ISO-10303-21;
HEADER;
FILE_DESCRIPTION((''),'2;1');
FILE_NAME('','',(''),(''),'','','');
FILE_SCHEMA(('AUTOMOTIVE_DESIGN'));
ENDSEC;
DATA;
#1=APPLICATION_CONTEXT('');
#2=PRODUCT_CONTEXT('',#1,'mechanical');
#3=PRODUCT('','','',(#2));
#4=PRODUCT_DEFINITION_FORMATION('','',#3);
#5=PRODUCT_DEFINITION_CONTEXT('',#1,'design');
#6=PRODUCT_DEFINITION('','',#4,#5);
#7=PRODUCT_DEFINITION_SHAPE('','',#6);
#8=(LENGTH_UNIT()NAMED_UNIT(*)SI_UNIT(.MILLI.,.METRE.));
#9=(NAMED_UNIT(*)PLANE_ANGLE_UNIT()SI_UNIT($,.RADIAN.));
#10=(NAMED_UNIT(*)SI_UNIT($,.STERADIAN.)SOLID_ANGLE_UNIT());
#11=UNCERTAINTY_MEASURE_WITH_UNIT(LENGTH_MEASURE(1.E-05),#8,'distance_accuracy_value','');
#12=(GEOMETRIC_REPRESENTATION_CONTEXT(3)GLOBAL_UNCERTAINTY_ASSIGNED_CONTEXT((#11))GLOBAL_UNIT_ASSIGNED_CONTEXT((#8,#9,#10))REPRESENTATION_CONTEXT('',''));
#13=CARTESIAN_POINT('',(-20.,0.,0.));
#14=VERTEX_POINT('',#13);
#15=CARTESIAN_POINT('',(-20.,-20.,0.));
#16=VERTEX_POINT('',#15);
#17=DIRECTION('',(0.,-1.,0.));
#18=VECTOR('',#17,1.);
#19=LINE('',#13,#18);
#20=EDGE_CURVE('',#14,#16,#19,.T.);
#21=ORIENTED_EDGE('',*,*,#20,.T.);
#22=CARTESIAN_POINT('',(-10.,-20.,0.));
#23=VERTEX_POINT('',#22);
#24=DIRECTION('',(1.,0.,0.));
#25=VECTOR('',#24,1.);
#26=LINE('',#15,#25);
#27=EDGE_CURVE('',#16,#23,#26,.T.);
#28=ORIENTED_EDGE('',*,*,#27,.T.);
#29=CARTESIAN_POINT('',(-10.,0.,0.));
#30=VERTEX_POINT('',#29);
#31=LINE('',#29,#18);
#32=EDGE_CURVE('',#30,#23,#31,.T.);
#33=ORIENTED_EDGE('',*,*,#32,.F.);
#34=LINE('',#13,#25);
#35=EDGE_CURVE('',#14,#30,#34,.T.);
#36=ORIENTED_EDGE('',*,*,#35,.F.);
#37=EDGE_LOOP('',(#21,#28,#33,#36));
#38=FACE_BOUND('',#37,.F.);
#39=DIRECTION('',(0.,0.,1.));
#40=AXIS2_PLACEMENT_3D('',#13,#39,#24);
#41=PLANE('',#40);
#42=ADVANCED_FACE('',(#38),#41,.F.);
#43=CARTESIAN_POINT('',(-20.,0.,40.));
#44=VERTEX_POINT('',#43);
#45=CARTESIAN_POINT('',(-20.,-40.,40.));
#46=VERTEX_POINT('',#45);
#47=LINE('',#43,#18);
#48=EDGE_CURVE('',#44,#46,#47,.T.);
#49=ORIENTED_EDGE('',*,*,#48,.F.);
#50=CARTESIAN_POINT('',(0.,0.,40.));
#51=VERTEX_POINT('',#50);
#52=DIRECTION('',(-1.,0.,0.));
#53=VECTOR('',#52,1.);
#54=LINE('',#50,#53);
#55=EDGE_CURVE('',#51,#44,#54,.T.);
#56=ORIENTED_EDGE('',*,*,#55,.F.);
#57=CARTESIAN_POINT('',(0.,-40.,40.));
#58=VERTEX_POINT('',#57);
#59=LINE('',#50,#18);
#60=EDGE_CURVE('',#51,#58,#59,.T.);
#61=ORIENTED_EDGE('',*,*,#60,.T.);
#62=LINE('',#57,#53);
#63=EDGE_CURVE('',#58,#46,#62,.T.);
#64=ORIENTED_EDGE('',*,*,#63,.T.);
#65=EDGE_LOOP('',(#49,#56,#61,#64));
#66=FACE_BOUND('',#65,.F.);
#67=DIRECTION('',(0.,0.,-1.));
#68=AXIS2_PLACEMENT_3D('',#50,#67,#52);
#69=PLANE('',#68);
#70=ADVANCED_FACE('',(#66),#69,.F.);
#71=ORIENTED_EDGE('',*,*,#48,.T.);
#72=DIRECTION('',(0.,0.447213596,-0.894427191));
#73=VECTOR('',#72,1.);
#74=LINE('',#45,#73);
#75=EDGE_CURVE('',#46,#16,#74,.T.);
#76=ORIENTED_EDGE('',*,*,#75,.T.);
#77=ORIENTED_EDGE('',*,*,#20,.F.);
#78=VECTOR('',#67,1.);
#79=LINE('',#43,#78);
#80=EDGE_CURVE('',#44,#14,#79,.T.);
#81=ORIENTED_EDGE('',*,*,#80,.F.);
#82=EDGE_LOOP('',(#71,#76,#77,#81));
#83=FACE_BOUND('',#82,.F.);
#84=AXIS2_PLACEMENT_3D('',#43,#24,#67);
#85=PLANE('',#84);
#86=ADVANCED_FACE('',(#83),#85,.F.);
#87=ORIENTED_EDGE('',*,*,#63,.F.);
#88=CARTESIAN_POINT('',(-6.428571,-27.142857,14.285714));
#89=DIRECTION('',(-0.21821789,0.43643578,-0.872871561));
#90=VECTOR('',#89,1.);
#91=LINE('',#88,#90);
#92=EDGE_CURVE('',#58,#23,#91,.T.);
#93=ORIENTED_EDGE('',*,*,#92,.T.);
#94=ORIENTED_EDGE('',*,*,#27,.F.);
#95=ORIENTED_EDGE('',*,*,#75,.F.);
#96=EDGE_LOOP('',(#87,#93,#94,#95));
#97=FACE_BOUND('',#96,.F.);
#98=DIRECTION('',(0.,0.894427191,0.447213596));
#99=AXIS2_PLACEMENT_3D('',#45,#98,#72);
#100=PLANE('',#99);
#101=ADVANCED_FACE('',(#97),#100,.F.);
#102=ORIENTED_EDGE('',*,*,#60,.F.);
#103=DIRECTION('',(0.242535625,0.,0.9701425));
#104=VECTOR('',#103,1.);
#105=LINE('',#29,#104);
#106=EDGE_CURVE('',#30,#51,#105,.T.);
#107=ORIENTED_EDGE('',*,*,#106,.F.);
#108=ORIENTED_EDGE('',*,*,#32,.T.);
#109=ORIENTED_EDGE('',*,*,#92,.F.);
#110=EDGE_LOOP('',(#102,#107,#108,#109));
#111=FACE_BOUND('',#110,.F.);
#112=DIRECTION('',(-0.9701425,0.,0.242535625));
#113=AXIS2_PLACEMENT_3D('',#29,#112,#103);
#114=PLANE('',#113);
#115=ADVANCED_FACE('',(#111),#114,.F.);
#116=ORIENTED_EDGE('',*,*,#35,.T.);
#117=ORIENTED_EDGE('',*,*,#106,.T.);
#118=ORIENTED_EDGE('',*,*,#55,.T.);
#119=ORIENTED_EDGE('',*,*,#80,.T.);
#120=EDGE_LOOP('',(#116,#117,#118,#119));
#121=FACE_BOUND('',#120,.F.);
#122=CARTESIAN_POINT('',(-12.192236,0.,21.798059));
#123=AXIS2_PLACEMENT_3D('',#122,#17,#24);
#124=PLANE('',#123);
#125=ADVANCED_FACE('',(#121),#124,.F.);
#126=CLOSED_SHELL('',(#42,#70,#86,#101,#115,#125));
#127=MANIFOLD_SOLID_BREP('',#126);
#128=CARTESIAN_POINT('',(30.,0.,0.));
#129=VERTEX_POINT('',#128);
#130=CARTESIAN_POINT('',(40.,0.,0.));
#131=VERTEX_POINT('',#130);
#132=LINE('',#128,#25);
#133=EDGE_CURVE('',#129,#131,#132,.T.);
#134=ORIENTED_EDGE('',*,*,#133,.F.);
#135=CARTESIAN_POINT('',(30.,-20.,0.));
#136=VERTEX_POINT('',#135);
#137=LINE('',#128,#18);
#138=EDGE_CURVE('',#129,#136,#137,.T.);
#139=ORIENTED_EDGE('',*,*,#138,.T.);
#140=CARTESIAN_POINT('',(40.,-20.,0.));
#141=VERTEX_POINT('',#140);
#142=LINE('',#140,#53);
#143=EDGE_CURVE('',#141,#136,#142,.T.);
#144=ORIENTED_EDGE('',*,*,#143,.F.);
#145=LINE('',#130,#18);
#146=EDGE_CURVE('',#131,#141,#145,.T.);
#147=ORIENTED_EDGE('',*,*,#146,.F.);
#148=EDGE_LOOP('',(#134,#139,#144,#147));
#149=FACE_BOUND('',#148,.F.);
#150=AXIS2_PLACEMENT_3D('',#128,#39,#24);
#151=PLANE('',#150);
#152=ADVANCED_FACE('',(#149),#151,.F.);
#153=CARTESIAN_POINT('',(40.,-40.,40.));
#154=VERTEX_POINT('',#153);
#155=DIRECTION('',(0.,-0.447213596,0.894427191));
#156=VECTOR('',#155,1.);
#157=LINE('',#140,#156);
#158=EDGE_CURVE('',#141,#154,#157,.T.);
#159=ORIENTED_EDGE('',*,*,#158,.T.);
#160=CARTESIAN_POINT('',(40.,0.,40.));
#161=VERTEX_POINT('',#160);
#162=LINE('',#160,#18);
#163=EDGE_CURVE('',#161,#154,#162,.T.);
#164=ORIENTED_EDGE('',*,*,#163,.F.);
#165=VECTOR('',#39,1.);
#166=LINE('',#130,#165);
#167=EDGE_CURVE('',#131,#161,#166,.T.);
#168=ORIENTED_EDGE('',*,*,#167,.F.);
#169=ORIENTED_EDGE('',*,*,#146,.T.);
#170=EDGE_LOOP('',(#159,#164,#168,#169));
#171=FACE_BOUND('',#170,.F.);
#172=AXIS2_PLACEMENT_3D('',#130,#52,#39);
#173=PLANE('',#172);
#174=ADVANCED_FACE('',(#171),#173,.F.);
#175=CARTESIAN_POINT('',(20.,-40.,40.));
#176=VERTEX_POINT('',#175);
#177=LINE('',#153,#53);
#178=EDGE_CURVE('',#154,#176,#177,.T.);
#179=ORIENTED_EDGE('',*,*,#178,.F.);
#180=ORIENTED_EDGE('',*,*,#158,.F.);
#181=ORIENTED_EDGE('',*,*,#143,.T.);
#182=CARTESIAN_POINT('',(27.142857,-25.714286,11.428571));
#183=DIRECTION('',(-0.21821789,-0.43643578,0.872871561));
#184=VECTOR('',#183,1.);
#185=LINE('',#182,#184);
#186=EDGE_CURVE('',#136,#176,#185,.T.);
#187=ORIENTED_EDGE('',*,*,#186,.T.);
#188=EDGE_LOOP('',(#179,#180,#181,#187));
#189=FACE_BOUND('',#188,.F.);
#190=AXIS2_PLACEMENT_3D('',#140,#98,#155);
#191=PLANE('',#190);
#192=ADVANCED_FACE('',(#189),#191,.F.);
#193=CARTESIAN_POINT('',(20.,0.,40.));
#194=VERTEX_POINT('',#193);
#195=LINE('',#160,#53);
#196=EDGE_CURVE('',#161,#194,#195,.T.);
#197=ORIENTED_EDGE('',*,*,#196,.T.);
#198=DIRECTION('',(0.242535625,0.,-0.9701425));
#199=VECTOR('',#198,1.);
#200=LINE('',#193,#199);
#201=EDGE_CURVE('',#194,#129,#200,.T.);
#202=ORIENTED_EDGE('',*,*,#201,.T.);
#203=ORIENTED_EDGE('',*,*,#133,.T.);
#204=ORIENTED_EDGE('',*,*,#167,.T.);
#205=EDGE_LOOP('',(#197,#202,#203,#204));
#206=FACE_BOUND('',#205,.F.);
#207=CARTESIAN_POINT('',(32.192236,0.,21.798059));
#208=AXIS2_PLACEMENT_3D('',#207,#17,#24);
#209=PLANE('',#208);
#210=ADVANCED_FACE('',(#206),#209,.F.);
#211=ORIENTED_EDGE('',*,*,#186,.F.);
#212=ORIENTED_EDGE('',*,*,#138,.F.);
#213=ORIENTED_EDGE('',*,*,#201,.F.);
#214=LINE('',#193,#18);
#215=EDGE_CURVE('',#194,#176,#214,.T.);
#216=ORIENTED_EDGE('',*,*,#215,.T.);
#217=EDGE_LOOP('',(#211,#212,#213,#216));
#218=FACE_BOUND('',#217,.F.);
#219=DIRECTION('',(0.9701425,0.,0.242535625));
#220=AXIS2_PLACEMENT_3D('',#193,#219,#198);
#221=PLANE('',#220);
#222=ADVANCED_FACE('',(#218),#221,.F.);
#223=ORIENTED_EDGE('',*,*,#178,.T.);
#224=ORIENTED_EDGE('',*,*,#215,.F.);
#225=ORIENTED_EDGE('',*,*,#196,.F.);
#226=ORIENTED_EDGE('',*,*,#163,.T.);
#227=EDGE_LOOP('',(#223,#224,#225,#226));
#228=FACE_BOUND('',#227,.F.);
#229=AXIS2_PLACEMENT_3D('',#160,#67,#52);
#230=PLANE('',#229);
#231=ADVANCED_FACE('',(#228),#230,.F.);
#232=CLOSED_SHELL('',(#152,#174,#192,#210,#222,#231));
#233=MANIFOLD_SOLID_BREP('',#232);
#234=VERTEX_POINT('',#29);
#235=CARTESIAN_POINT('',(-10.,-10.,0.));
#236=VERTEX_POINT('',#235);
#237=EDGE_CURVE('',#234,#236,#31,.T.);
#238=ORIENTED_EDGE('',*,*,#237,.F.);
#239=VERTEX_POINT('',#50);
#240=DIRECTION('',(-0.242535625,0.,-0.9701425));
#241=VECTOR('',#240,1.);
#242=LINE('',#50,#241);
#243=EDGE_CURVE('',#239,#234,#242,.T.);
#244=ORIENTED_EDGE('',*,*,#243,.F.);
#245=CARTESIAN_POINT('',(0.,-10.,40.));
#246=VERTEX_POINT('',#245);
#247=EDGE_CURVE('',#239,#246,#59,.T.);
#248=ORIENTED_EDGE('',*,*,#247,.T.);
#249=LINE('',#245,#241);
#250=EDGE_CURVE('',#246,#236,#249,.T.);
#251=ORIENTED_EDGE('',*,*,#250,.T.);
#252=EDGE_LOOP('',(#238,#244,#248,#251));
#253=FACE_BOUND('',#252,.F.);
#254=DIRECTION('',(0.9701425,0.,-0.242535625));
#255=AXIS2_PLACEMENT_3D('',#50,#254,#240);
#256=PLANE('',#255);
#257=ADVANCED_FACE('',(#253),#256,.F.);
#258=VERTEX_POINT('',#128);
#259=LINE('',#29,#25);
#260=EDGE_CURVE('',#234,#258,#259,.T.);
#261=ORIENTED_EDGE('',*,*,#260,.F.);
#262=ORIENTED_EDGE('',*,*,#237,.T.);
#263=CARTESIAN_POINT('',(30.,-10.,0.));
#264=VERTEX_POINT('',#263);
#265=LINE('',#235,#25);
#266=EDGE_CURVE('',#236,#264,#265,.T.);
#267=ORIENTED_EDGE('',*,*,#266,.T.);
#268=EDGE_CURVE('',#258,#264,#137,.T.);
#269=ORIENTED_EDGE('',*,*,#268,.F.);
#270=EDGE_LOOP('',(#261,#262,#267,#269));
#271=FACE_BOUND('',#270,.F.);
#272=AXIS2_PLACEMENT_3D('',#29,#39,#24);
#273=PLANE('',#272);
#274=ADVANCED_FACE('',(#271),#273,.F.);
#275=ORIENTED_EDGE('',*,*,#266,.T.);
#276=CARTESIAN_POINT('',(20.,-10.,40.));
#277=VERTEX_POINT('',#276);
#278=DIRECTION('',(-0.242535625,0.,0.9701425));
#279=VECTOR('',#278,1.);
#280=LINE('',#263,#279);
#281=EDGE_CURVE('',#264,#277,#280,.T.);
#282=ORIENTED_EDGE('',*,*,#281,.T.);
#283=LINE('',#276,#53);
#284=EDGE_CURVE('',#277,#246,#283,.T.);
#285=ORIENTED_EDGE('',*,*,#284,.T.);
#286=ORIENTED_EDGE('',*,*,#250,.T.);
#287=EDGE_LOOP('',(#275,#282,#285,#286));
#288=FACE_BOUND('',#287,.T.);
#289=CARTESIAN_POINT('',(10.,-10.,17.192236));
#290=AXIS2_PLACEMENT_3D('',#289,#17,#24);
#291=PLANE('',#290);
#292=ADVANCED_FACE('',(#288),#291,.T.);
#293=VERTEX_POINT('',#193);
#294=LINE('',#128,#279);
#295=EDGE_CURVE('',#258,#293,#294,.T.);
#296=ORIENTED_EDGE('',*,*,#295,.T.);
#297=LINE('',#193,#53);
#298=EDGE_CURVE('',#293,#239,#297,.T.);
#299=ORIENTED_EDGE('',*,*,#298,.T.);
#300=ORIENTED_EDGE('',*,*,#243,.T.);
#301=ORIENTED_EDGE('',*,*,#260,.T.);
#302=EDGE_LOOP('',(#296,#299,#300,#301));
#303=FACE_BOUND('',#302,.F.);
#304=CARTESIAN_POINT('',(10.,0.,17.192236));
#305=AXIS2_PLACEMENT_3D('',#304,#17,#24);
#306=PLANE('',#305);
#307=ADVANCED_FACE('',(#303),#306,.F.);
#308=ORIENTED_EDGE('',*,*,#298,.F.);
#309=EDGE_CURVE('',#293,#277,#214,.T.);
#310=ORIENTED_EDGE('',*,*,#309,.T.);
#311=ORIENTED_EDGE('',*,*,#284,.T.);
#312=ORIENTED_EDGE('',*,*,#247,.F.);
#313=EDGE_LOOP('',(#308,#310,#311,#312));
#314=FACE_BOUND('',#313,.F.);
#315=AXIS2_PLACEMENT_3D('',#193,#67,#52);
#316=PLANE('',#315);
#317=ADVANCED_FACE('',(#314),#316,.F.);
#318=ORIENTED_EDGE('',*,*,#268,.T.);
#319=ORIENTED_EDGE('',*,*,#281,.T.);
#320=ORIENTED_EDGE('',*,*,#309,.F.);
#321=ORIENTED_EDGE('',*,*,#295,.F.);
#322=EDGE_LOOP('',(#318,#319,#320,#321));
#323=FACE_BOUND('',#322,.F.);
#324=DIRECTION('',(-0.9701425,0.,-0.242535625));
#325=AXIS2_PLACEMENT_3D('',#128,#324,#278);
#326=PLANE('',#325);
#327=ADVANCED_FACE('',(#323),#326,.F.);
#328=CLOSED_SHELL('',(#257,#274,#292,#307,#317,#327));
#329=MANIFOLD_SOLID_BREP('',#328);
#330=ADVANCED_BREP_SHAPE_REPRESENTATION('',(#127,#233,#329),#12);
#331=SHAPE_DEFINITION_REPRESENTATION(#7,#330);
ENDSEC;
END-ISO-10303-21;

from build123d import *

# Parameters (mm, degrees)
F1_DEPTH = 40
F2_DEPTH = 40
F3_DEPTH = 10
F5_DEPTH = 25
F7_DEPTH = 25


with BuildPart() as f1:
    # F0 (on Front) → F1 (new body)
    with BuildSketch(Plane.XZ):
        Polygon((-20, 40), (-20, 0), (-10, 0), (0, 40), align=None)
    extrude(amount=F1_DEPTH)

    # F4 (on face) → F5 (cut)
    with BuildSketch(Plane(origin=(-20, 0, 0), x_dir=(0, -1, 0), z_dir=(-1, 0, 0))):
        Polygon((40, 40), (20, 0), (30.000001, 0), (40, 0), align=None)
    extrude(amount=-F5_DEPTH, mode=Mode.SUBTRACT)


with BuildPart() as f2:
    # F0 (on Front) → F2 (new body)
    with BuildSketch(Plane.XZ):
        Polygon((20, 40), (30, 0), (40, 0), (40, 40), align=None)
    extrude(amount=F2_DEPTH)

    # F6 (on face) → F7 (cut)
    with BuildSketch(Plane.YZ.offset(40)):
        Polygon((-30, 0), (-20, 0), (-40, 40), (-40, 0), align=None)
    extrude(amount=-F7_DEPTH, mode=Mode.SUBTRACT)


with BuildPart() as f3:
    # F0 (on Front) → F3 (new body)
    with BuildSketch(Plane.XZ):
        Polygon((0, 40), (-10, 0), (30, 0), (20, 40), align=None)
    extrude(amount=F3_DEPTH)


solid = Compound([f1.part, f2.part, f3.part])
